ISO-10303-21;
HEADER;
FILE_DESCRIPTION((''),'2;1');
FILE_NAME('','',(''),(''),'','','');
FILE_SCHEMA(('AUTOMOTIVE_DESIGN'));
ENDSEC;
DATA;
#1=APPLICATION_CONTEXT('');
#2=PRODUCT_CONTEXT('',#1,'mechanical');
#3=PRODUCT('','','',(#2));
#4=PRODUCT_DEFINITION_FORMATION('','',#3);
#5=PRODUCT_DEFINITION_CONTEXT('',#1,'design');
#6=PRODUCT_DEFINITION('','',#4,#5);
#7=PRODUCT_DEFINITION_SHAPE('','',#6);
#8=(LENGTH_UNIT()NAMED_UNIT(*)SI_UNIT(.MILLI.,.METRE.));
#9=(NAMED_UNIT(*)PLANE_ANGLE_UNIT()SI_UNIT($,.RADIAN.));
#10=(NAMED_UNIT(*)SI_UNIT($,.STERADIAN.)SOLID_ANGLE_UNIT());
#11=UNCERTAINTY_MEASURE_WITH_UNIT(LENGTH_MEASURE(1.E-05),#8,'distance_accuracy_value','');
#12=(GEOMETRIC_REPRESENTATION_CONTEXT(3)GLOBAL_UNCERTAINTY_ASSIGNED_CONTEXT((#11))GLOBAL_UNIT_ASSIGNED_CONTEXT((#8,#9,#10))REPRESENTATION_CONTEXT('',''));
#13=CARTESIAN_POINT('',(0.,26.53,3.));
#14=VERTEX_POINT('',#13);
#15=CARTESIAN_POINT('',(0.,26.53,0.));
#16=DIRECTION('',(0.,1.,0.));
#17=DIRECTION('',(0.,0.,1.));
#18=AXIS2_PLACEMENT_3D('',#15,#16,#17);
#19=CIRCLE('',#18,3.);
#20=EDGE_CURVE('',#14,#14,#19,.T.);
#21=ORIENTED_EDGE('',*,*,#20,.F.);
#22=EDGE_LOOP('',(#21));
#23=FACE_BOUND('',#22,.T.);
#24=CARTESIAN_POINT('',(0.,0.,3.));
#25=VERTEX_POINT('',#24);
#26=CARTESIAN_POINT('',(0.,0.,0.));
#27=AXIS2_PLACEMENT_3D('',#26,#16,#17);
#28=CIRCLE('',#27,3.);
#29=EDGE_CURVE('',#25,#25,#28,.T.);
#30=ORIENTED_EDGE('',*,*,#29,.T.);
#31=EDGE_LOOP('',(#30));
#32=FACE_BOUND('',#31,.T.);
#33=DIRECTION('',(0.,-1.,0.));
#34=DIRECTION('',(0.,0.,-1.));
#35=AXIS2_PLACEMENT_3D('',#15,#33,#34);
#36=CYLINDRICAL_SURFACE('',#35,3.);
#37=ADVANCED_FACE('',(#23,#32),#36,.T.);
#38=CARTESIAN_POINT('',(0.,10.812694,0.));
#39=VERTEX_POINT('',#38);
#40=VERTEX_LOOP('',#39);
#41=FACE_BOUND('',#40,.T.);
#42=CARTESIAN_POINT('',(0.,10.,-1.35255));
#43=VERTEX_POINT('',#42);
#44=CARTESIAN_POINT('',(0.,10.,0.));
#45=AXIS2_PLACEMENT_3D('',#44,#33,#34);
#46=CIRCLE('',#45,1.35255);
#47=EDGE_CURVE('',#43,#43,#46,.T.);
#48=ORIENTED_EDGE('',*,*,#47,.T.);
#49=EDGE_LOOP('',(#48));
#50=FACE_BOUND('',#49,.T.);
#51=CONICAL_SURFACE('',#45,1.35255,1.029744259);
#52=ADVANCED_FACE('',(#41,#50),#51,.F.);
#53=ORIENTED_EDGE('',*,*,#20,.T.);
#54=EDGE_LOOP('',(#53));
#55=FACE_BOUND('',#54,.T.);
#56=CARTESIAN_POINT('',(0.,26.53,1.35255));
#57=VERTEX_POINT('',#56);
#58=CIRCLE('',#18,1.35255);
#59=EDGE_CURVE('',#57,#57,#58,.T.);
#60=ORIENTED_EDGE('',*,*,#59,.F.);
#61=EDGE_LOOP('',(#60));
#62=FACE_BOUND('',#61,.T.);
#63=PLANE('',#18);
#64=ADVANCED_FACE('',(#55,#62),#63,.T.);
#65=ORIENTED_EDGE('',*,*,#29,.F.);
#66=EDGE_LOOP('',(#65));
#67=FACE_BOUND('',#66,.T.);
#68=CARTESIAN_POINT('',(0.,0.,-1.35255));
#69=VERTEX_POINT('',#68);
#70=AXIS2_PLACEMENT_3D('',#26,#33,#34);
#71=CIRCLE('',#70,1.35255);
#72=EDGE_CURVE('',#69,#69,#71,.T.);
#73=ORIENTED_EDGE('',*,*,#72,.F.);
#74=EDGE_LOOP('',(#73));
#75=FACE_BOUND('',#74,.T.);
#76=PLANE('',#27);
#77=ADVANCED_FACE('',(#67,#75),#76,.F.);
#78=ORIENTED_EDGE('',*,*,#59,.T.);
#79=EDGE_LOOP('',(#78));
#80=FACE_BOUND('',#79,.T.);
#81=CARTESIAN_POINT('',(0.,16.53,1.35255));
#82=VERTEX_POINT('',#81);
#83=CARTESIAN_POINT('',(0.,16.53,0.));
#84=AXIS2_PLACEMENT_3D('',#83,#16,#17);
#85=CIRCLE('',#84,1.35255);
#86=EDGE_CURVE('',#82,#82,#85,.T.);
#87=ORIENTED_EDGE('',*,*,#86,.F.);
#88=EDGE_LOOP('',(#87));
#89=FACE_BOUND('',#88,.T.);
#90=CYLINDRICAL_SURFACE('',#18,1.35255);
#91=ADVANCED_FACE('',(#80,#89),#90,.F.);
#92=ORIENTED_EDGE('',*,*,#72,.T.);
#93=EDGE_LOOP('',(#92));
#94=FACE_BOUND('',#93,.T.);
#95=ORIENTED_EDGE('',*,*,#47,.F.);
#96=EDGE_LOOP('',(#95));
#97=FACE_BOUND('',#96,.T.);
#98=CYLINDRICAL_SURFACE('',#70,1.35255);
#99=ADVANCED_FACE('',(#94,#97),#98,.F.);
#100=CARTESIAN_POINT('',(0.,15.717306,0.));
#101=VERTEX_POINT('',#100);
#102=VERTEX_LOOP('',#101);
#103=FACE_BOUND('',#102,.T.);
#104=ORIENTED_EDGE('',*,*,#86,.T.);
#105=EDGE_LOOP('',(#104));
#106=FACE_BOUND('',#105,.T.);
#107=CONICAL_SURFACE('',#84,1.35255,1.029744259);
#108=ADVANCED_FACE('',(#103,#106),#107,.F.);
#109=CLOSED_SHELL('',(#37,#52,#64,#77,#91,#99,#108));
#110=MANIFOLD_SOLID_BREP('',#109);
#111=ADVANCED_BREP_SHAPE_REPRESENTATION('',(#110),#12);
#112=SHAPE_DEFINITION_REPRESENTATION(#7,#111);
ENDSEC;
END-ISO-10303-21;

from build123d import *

# Parameters (mm, degrees)
SKETCH1_R                 = 3
BOSS_EXTRUDE1_DEPTH       = 26.53
F_6_32_TAPPED_HOLE1_D     = 2.7051
F_6_32_TAPPED_HOLE1_DEPTH = 10
F_6_32_TAPPED_HOLE1_TIP   = 0.81269403
F_6_32_TAPPED_HOLE2_D     = 2.7051
F_6_32_TAPPED_HOLE2_DEPTH = 10
F_6_32_TAPPED_HOLE2_TIP   = 0.81269403


with BuildPart() as part:
    # Sketch1 → Boss-Extrude1 (new body)
    with BuildSketch(Plane(origin=(0, 0, 0), x_dir=(1, 0, 0), z_dir=(0, 1, 0))):
        with Locations(Location((0, 0, 0), (0, 0, 270))):
            Circle(SKETCH1_R)
    extrude(amount=BOSS_EXTRUDE1_DEPTH)

    # #6-32 Tapped Hole1
    with Locations(Plane(origin=(0, 26.53, 0), x_dir=(1, 0, 0), z_dir=(0, 1, 0))):
        with Locations((0, 0)):
            Hole(F_6_32_TAPPED_HOLE1_D / 2, depth=F_6_32_TAPPED_HOLE1_DEPTH)
            with Locations((0, 0, -(F_6_32_TAPPED_HOLE1_DEPTH + F_6_32_TAPPED_HOLE1_TIP / 2))):  # 118° drill point
                Cone(0, F_6_32_TAPPED_HOLE1_D / 2, F_6_32_TAPPED_HOLE1_TIP, mode=Mode.SUBTRACT)

    # #6-32 Tapped Hole2
    with Locations(Plane(origin=(0, 0, 0), x_dir=(-1, 0, 0), z_dir=(0, -1, 0))):
        with Locations((0, 0)):
            Hole(F_6_32_TAPPED_HOLE2_D / 2, depth=F_6_32_TAPPED_HOLE2_DEPTH)
            with Locations((0, 0, -(F_6_32_TAPPED_HOLE2_DEPTH + F_6_32_TAPPED_HOLE2_TIP / 2))):  # 118° drill point
                Cone(0, F_6_32_TAPPED_HOLE2_D / 2, F_6_32_TAPPED_HOLE2_TIP, mode=Mode.SUBTRACT)


solid = part.part
